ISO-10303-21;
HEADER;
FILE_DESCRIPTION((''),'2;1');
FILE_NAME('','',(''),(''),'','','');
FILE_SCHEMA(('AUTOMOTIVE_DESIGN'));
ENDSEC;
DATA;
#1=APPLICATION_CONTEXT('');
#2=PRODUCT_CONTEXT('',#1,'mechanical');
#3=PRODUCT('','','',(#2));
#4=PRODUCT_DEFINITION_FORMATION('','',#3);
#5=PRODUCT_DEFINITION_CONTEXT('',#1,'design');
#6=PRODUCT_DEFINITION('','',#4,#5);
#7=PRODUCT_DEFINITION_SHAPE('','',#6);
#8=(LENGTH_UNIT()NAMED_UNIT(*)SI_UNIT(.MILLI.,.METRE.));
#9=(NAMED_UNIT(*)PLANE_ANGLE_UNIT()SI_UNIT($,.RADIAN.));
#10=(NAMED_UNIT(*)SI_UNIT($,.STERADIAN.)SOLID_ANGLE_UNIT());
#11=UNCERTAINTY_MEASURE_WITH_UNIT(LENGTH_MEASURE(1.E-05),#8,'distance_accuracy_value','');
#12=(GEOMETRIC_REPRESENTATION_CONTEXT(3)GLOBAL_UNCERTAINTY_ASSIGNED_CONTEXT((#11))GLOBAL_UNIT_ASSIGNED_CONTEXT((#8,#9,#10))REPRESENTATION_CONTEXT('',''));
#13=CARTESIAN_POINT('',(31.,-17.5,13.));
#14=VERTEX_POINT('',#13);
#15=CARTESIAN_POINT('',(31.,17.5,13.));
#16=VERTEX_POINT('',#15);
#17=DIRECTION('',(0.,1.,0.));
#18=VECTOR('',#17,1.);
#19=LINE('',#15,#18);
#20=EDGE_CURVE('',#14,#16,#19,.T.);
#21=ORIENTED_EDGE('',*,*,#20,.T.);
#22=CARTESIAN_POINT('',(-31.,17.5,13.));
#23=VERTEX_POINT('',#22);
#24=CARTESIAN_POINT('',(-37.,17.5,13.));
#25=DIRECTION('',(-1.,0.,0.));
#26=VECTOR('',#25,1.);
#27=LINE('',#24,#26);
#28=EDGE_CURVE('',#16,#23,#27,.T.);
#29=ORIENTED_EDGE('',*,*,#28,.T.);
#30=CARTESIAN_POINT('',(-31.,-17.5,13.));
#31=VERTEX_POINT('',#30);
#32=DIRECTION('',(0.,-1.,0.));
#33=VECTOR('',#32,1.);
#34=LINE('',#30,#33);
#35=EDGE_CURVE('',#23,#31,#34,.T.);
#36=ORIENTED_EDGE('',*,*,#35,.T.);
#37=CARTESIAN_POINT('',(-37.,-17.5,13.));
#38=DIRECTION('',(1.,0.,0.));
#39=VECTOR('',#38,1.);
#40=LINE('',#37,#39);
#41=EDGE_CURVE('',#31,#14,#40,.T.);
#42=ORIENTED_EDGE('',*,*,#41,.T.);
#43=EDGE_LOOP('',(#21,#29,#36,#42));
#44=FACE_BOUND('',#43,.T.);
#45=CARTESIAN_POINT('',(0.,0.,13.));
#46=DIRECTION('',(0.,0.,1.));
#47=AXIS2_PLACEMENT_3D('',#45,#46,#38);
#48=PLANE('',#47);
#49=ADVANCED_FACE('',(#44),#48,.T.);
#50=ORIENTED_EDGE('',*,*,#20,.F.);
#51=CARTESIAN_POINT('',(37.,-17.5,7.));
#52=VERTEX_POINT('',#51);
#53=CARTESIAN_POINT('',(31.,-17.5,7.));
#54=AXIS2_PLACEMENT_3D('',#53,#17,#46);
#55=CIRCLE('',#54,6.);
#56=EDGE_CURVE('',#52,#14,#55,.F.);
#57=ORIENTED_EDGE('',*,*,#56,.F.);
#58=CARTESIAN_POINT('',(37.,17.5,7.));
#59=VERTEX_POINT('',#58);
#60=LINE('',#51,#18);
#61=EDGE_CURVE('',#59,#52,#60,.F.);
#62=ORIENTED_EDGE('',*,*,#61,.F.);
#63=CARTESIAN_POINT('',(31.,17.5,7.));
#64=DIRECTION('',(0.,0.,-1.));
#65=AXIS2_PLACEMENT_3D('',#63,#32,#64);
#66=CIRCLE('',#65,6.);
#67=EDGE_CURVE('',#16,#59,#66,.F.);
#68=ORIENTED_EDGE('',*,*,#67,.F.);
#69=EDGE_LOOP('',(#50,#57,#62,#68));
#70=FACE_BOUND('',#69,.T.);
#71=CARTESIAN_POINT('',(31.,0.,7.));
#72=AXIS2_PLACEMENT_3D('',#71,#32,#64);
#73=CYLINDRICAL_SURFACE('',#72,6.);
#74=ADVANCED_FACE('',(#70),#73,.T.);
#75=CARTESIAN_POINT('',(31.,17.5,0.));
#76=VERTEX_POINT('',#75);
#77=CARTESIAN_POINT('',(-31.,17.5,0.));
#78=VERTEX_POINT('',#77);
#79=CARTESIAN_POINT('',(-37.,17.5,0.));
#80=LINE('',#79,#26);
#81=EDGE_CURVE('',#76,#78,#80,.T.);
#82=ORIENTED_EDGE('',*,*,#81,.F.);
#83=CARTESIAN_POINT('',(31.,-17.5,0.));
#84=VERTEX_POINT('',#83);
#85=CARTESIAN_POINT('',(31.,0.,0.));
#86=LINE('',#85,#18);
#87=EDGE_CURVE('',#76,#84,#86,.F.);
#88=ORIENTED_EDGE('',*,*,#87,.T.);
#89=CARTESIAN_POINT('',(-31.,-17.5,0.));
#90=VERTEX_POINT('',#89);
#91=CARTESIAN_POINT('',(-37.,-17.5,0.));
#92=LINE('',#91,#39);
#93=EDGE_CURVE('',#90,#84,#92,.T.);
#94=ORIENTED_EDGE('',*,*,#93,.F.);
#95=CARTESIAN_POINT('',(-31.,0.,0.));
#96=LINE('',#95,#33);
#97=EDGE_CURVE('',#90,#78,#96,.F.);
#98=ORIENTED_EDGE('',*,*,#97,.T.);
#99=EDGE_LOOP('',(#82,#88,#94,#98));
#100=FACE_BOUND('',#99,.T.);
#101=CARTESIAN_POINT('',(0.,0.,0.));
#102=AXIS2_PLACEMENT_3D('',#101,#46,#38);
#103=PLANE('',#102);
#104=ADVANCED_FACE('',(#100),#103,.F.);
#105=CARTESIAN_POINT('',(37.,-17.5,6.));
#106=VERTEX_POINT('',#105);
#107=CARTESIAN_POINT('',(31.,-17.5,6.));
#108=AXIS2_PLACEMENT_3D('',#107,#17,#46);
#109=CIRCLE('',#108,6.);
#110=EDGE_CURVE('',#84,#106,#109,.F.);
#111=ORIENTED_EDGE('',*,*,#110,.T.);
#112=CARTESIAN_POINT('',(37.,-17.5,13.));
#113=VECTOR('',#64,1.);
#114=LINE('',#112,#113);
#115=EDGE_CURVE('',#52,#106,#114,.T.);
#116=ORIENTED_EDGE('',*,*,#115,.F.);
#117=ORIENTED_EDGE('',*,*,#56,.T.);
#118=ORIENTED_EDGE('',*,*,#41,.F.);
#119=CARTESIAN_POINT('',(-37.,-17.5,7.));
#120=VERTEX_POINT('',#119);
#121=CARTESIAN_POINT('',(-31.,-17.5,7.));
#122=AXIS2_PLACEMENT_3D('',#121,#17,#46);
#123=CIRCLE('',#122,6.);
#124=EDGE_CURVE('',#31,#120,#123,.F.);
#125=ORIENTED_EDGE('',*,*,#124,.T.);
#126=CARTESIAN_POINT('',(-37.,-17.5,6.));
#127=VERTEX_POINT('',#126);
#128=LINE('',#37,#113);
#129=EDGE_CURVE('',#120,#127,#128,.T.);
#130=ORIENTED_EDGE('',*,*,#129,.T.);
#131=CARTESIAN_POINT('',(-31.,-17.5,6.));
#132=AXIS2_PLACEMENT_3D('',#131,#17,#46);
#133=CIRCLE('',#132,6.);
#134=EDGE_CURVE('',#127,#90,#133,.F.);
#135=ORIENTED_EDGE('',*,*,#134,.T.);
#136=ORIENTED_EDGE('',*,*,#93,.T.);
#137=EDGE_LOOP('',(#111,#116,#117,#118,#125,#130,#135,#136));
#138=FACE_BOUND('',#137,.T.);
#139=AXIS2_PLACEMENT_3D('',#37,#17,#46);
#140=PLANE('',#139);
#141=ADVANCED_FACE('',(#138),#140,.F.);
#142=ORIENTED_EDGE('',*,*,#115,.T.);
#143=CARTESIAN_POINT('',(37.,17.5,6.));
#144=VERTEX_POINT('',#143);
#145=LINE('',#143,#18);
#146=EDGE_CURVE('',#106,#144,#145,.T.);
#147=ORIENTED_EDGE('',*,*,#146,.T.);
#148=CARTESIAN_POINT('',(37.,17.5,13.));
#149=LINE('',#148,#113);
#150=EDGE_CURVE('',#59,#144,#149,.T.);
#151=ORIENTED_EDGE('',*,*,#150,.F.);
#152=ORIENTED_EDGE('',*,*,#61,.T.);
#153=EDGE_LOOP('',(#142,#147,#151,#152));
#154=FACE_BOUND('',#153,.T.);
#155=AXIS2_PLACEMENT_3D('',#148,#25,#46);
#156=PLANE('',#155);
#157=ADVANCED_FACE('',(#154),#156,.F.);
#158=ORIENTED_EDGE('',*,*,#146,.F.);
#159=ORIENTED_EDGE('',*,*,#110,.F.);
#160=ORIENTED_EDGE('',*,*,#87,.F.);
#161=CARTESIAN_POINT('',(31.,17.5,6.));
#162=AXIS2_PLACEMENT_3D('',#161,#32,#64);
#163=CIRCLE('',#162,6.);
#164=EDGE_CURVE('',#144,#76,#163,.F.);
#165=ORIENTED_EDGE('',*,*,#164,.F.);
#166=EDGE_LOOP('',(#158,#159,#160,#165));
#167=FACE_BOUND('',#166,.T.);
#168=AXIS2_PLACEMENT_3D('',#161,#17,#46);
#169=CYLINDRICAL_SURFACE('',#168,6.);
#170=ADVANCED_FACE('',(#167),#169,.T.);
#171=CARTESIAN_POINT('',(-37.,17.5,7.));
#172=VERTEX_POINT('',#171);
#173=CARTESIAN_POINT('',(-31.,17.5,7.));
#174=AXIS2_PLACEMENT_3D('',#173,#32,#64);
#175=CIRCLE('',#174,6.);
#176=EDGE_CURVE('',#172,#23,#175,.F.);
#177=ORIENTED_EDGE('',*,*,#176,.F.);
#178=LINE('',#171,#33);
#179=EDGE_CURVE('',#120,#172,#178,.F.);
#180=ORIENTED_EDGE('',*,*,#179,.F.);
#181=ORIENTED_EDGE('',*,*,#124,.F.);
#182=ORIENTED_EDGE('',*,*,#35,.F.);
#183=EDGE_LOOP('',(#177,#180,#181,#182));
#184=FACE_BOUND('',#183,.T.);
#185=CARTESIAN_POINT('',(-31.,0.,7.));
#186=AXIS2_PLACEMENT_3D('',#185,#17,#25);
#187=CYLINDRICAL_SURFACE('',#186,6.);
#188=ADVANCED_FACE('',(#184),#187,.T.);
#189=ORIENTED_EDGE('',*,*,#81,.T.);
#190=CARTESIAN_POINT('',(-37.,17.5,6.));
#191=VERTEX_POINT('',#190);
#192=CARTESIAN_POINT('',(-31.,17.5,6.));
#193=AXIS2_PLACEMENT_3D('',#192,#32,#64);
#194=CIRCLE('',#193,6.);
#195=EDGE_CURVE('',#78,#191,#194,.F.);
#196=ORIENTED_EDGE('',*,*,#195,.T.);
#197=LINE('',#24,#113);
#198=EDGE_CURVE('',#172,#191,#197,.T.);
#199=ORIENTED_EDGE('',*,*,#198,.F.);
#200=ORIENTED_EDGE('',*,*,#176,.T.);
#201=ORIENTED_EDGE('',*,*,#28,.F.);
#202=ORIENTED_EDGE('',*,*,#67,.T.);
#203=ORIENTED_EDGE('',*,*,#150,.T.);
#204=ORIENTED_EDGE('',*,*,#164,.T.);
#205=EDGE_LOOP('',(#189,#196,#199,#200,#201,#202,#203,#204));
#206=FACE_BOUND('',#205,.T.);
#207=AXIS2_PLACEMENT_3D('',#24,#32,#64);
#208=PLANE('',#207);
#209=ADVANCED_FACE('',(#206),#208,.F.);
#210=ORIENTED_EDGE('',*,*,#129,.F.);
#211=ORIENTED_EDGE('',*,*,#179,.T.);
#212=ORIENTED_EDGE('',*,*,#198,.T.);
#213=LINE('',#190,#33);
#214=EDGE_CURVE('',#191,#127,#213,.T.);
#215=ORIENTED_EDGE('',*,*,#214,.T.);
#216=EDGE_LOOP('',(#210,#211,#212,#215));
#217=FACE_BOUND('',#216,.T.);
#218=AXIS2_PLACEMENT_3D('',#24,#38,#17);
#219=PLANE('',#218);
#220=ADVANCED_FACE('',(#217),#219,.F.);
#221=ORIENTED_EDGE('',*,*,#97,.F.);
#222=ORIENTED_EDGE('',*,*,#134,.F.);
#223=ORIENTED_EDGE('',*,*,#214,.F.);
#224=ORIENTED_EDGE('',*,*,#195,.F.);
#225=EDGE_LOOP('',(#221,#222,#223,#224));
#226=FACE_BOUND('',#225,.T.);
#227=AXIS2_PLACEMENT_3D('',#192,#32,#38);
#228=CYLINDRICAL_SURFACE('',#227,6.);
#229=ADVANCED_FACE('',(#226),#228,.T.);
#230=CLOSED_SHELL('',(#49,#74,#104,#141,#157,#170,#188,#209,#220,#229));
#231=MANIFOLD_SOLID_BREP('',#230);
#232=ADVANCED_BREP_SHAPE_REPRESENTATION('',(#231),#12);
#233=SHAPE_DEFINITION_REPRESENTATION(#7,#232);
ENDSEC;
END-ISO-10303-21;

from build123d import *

# Parameters (mm, degrees)
SKETCH1_W           = 74
SKETCH1_H           = 35
BOSS_EXTRUDE1_DEPTH = 13
FILLET2_R           = 6


with BuildPart() as part:
    # Sketch1 → Boss-Extrude1 (new body)
    with BuildSketch(Plane.XY):
        Rectangle(SKETCH1_W, SKETCH1_H)
    extrude(amount=BOSS_EXTRUDE1_DEPTH)

    # Fillet2
    fillet2_edges = [part.edges().sort_by_distance(p)[0] for p in [
        (-37, 0, 13),
        (37, 0, 13),
        (-37, 0, 0),
        (37, 0, 0),
    ]]
    fillet(fillet2_edges, radius=FILLET2_R)


solid = part.part
